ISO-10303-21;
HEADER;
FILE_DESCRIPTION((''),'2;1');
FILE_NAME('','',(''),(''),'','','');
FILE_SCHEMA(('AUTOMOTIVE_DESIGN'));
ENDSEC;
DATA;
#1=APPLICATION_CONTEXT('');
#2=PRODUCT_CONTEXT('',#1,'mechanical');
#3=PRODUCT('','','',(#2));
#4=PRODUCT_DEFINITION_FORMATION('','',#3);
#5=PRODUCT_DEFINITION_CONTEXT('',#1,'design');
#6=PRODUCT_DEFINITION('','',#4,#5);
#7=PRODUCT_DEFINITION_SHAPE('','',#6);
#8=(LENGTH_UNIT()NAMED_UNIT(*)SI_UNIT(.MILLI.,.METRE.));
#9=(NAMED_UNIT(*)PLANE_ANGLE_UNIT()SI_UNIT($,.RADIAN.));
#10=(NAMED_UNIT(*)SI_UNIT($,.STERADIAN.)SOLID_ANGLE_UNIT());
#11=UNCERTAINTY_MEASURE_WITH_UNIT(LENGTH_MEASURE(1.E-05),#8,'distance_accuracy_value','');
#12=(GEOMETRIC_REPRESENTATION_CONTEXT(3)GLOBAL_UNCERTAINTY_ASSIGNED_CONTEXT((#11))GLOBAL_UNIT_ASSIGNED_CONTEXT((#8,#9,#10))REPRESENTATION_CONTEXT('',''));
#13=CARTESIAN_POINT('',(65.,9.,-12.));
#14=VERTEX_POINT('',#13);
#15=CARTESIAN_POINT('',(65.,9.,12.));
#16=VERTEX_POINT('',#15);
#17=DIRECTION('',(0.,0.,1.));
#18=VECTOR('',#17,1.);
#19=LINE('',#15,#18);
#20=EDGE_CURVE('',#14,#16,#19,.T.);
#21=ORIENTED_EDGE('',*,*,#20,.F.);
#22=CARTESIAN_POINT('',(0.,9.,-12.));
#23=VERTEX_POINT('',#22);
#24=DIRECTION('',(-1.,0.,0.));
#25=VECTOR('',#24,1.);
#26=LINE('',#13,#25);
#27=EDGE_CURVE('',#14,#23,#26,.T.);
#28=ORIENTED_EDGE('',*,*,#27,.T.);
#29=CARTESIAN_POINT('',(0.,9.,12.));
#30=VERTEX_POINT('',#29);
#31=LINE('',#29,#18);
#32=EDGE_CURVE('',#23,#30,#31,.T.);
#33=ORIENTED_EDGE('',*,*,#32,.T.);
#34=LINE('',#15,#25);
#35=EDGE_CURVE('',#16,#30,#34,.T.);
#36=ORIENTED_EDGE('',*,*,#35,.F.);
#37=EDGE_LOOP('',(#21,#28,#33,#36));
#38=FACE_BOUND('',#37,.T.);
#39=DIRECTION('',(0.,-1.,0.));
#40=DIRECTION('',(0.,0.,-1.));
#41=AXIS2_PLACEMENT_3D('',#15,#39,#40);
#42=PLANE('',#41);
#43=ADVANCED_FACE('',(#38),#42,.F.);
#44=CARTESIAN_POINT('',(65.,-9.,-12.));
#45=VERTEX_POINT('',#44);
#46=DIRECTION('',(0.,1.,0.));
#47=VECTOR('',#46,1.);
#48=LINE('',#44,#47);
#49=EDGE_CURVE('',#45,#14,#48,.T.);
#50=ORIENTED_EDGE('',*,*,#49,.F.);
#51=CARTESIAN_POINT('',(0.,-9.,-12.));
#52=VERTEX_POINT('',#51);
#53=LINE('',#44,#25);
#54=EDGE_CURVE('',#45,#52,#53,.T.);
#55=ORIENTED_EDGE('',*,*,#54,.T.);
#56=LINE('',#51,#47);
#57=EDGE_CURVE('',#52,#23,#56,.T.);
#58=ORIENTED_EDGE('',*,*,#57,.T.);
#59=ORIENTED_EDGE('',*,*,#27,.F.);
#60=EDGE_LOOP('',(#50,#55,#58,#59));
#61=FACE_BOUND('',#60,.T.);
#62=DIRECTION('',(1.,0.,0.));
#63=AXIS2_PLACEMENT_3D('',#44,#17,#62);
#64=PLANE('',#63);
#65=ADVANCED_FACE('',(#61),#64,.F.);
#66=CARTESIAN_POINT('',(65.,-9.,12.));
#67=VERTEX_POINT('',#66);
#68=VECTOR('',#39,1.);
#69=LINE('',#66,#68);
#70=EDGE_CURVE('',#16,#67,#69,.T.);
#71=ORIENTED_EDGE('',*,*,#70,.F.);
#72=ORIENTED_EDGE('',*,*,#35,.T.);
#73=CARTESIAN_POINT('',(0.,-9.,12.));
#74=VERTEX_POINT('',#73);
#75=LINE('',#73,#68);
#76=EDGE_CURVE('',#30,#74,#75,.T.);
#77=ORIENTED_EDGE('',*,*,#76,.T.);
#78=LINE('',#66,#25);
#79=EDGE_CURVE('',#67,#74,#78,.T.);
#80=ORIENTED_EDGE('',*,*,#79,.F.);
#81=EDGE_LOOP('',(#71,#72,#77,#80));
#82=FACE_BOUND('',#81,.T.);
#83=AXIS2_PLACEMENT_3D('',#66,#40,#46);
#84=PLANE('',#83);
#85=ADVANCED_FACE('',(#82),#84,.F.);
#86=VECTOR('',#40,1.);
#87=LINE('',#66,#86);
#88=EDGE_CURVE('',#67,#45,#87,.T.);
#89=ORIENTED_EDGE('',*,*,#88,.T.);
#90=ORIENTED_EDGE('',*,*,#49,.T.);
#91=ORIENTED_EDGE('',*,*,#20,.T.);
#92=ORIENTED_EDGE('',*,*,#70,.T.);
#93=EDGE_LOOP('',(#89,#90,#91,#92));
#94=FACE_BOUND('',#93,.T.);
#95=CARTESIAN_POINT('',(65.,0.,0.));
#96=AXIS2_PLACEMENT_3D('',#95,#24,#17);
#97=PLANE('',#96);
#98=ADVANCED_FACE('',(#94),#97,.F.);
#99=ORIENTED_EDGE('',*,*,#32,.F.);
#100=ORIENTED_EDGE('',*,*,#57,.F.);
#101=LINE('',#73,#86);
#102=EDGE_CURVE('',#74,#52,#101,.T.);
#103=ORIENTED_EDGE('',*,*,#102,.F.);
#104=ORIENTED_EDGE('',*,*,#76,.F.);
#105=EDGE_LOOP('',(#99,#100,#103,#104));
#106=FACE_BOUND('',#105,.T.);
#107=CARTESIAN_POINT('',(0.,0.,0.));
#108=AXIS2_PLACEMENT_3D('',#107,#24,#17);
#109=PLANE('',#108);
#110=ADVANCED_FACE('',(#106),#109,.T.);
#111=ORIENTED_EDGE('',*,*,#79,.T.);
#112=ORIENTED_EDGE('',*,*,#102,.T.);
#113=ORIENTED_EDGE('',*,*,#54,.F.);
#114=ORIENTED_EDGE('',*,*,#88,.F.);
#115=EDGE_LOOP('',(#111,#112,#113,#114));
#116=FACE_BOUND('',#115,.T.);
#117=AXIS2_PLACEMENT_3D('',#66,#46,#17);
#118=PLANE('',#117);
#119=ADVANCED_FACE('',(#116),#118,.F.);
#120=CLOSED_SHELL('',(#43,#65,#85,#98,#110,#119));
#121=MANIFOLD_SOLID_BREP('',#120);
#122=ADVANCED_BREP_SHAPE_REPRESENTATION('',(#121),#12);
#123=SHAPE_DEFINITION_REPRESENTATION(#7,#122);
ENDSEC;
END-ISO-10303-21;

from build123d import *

# Parameters (mm, degrees)
SKETCH2_W           = 24
SKETCH2_H           = 18
BOSS_EXTRUDE1_DEPTH = 65


with BuildPart() as part:
    # Sketch2 → Boss-Extrude1 (new body)
    with BuildSketch(Plane(origin=(0, 0, 0), x_dir=(0, 0, -1), z_dir=(1, 0, 0))):
        Rectangle(SKETCH2_W, SKETCH2_H)
    extrude(amount=BOSS_EXTRUDE1_DEPTH)


solid = part.part
